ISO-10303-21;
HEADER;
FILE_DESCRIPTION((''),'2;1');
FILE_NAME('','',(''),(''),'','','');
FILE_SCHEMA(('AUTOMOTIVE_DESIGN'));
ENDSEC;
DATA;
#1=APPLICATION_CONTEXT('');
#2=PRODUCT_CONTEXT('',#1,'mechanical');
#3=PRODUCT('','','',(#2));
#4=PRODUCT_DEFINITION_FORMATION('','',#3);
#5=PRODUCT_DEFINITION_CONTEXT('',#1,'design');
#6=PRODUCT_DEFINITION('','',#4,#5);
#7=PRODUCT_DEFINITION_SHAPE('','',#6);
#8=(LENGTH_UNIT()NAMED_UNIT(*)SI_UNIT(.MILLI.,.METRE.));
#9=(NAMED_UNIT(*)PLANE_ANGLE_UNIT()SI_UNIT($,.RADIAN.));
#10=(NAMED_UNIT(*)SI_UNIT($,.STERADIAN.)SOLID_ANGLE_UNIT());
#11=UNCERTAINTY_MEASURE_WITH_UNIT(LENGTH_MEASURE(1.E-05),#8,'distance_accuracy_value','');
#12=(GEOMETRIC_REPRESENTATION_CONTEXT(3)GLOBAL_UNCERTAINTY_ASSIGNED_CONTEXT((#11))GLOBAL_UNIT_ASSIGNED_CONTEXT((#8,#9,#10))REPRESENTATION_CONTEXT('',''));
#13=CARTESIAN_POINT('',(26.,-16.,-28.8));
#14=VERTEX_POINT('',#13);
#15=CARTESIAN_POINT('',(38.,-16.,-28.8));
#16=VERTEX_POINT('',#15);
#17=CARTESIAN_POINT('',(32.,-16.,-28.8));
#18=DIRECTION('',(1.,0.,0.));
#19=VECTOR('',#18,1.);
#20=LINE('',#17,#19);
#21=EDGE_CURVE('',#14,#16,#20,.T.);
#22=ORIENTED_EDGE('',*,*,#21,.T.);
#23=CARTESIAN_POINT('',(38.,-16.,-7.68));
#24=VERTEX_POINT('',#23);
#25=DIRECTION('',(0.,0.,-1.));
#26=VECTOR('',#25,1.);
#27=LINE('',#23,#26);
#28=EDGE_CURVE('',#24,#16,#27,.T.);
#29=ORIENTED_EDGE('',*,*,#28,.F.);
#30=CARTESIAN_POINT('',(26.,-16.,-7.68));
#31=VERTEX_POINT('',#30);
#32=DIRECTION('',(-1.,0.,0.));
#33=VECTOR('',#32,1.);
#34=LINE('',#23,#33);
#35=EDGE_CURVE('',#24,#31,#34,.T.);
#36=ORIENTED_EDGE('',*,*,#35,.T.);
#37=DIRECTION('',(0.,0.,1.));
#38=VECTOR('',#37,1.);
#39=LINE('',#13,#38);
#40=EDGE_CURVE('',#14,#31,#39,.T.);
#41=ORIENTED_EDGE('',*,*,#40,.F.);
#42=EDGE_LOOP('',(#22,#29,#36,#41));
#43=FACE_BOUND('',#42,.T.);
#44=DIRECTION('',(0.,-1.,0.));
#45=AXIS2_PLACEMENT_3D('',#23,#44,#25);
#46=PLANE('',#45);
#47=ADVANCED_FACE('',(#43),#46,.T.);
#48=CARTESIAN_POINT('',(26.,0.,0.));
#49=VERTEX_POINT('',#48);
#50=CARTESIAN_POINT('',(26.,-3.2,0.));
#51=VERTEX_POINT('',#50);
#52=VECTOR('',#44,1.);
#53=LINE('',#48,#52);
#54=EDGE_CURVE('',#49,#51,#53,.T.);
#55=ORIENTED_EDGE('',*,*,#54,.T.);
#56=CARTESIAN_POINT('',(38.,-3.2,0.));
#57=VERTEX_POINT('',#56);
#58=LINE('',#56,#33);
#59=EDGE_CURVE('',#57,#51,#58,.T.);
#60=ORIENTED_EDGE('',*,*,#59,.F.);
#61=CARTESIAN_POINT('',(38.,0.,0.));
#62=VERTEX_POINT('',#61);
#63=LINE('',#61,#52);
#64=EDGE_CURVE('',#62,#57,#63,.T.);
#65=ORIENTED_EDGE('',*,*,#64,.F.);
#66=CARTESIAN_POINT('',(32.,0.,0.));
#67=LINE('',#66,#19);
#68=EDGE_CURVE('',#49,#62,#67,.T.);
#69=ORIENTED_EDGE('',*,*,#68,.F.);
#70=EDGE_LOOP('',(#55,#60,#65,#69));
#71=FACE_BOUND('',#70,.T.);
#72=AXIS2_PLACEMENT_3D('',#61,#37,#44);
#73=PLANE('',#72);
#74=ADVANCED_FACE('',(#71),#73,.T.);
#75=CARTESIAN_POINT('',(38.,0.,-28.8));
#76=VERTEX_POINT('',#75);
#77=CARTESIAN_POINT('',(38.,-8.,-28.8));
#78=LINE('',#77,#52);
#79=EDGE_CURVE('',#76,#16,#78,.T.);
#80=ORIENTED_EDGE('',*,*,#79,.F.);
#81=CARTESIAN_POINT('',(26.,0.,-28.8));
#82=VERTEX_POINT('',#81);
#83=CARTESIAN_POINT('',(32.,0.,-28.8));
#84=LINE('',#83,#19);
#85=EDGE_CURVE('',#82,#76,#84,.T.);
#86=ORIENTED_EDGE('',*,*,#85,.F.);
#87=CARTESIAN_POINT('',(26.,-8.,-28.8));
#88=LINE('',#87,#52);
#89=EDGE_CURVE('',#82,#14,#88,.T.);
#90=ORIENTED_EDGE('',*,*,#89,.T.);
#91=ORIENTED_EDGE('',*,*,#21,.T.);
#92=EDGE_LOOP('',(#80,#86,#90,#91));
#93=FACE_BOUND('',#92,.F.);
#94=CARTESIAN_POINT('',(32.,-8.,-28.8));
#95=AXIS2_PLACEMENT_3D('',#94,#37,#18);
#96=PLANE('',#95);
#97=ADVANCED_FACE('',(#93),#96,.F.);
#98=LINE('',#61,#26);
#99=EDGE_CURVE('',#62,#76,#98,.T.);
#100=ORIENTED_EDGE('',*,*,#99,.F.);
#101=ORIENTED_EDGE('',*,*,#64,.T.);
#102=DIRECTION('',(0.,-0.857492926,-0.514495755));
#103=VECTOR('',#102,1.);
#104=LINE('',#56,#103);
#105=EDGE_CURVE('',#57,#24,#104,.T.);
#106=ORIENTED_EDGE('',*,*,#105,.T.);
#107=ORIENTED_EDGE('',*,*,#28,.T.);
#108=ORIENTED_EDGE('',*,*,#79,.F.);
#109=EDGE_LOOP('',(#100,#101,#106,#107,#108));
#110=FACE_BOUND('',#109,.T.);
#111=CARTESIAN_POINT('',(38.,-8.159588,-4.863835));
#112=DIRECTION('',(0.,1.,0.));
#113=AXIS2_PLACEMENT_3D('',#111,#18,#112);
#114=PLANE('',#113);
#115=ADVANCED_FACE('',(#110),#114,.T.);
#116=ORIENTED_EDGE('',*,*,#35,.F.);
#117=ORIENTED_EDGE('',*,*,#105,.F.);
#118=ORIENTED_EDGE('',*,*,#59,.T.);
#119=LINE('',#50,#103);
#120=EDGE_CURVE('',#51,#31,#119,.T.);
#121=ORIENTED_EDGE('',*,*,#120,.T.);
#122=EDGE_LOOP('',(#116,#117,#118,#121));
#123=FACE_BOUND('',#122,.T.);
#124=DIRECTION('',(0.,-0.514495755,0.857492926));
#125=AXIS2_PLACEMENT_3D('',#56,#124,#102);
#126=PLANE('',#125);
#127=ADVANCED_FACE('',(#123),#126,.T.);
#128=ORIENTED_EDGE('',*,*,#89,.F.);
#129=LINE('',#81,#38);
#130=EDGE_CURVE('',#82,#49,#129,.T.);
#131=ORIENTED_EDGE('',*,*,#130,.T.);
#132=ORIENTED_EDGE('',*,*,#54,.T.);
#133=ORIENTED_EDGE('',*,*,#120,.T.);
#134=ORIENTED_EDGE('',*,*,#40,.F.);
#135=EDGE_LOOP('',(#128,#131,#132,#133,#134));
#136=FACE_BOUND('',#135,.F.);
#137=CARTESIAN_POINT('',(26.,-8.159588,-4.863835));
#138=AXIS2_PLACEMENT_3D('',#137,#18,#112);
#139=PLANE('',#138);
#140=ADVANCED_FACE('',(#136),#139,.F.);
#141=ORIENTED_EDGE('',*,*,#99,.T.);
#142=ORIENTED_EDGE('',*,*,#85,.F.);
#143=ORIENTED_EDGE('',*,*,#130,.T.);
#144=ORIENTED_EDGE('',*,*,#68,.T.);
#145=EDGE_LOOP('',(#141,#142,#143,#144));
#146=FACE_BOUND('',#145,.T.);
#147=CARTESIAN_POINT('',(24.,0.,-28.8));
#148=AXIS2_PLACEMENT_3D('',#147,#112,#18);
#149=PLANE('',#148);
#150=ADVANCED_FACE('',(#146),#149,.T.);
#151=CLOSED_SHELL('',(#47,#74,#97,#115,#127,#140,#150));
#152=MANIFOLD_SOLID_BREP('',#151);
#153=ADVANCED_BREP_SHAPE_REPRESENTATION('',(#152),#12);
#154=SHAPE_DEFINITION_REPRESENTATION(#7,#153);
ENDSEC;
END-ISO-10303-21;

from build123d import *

# Parameters (mm, degrees)
SKETCH028_W     = 16
SKETCH028_H     = 16
PAD015_DEPTH    = 28.8
POCKET013_DEPTH = 16
SKETCH113_W     = 2
SKETCH113_H     = 16
POCKET029_DEPTH = 30
PAD136_DEPTH    = 12


with BuildPart() as part:
    # Sketch028 (on Face52 of Binder011) → Pad015 (new body)
    with BuildSketch(Plane.XY.offset(-28.8)):
        with Locations((32, -8)):
            Rectangle(SKETCH028_W, SKETCH028_H)
    extrude(amount=PAD015_DEPTH)

    # Sketch029 (on Face3 of Pad015) → Pocket013 (cut)
    with BuildSketch(Plane.YZ.offset(40)):
        Polygon((-16, 0), (-16, -9.6), (0, 0), align=None)
    extrude(amount=-POCKET013_DEPTH, mode=Mode.SUBTRACT)

    # Sketch113 (on Face2 of Pocket013) → Pocket029 (cut)
    with BuildSketch(Plane(origin=(0, 0, -28.8), x_dir=(1, 0, 0), z_dir=(0, 0, -1))):
        with Locations((25, 8)):
            Rectangle(SKETCH113_W, SKETCH113_H)
        with Locations((39, 8)):
            Rectangle(SKETCH113_W, SKETCH113_H)
    extrude(amount=-POCKET029_DEPTH, mode=Mode.SUBTRACT)

    # Sketch136 (on Face3 of Pocket029) → Pad136 (join)
    with BuildSketch(Plane.YZ.offset(38)):
        Polygon((0, 0), (-3.2, 0), (-16, -7.68), (-16, -10.88), (-3.2, -3.2), (0, -3.2), align=None)
    extrude(amount=-PAD136_DEPTH)


solid = part.part
